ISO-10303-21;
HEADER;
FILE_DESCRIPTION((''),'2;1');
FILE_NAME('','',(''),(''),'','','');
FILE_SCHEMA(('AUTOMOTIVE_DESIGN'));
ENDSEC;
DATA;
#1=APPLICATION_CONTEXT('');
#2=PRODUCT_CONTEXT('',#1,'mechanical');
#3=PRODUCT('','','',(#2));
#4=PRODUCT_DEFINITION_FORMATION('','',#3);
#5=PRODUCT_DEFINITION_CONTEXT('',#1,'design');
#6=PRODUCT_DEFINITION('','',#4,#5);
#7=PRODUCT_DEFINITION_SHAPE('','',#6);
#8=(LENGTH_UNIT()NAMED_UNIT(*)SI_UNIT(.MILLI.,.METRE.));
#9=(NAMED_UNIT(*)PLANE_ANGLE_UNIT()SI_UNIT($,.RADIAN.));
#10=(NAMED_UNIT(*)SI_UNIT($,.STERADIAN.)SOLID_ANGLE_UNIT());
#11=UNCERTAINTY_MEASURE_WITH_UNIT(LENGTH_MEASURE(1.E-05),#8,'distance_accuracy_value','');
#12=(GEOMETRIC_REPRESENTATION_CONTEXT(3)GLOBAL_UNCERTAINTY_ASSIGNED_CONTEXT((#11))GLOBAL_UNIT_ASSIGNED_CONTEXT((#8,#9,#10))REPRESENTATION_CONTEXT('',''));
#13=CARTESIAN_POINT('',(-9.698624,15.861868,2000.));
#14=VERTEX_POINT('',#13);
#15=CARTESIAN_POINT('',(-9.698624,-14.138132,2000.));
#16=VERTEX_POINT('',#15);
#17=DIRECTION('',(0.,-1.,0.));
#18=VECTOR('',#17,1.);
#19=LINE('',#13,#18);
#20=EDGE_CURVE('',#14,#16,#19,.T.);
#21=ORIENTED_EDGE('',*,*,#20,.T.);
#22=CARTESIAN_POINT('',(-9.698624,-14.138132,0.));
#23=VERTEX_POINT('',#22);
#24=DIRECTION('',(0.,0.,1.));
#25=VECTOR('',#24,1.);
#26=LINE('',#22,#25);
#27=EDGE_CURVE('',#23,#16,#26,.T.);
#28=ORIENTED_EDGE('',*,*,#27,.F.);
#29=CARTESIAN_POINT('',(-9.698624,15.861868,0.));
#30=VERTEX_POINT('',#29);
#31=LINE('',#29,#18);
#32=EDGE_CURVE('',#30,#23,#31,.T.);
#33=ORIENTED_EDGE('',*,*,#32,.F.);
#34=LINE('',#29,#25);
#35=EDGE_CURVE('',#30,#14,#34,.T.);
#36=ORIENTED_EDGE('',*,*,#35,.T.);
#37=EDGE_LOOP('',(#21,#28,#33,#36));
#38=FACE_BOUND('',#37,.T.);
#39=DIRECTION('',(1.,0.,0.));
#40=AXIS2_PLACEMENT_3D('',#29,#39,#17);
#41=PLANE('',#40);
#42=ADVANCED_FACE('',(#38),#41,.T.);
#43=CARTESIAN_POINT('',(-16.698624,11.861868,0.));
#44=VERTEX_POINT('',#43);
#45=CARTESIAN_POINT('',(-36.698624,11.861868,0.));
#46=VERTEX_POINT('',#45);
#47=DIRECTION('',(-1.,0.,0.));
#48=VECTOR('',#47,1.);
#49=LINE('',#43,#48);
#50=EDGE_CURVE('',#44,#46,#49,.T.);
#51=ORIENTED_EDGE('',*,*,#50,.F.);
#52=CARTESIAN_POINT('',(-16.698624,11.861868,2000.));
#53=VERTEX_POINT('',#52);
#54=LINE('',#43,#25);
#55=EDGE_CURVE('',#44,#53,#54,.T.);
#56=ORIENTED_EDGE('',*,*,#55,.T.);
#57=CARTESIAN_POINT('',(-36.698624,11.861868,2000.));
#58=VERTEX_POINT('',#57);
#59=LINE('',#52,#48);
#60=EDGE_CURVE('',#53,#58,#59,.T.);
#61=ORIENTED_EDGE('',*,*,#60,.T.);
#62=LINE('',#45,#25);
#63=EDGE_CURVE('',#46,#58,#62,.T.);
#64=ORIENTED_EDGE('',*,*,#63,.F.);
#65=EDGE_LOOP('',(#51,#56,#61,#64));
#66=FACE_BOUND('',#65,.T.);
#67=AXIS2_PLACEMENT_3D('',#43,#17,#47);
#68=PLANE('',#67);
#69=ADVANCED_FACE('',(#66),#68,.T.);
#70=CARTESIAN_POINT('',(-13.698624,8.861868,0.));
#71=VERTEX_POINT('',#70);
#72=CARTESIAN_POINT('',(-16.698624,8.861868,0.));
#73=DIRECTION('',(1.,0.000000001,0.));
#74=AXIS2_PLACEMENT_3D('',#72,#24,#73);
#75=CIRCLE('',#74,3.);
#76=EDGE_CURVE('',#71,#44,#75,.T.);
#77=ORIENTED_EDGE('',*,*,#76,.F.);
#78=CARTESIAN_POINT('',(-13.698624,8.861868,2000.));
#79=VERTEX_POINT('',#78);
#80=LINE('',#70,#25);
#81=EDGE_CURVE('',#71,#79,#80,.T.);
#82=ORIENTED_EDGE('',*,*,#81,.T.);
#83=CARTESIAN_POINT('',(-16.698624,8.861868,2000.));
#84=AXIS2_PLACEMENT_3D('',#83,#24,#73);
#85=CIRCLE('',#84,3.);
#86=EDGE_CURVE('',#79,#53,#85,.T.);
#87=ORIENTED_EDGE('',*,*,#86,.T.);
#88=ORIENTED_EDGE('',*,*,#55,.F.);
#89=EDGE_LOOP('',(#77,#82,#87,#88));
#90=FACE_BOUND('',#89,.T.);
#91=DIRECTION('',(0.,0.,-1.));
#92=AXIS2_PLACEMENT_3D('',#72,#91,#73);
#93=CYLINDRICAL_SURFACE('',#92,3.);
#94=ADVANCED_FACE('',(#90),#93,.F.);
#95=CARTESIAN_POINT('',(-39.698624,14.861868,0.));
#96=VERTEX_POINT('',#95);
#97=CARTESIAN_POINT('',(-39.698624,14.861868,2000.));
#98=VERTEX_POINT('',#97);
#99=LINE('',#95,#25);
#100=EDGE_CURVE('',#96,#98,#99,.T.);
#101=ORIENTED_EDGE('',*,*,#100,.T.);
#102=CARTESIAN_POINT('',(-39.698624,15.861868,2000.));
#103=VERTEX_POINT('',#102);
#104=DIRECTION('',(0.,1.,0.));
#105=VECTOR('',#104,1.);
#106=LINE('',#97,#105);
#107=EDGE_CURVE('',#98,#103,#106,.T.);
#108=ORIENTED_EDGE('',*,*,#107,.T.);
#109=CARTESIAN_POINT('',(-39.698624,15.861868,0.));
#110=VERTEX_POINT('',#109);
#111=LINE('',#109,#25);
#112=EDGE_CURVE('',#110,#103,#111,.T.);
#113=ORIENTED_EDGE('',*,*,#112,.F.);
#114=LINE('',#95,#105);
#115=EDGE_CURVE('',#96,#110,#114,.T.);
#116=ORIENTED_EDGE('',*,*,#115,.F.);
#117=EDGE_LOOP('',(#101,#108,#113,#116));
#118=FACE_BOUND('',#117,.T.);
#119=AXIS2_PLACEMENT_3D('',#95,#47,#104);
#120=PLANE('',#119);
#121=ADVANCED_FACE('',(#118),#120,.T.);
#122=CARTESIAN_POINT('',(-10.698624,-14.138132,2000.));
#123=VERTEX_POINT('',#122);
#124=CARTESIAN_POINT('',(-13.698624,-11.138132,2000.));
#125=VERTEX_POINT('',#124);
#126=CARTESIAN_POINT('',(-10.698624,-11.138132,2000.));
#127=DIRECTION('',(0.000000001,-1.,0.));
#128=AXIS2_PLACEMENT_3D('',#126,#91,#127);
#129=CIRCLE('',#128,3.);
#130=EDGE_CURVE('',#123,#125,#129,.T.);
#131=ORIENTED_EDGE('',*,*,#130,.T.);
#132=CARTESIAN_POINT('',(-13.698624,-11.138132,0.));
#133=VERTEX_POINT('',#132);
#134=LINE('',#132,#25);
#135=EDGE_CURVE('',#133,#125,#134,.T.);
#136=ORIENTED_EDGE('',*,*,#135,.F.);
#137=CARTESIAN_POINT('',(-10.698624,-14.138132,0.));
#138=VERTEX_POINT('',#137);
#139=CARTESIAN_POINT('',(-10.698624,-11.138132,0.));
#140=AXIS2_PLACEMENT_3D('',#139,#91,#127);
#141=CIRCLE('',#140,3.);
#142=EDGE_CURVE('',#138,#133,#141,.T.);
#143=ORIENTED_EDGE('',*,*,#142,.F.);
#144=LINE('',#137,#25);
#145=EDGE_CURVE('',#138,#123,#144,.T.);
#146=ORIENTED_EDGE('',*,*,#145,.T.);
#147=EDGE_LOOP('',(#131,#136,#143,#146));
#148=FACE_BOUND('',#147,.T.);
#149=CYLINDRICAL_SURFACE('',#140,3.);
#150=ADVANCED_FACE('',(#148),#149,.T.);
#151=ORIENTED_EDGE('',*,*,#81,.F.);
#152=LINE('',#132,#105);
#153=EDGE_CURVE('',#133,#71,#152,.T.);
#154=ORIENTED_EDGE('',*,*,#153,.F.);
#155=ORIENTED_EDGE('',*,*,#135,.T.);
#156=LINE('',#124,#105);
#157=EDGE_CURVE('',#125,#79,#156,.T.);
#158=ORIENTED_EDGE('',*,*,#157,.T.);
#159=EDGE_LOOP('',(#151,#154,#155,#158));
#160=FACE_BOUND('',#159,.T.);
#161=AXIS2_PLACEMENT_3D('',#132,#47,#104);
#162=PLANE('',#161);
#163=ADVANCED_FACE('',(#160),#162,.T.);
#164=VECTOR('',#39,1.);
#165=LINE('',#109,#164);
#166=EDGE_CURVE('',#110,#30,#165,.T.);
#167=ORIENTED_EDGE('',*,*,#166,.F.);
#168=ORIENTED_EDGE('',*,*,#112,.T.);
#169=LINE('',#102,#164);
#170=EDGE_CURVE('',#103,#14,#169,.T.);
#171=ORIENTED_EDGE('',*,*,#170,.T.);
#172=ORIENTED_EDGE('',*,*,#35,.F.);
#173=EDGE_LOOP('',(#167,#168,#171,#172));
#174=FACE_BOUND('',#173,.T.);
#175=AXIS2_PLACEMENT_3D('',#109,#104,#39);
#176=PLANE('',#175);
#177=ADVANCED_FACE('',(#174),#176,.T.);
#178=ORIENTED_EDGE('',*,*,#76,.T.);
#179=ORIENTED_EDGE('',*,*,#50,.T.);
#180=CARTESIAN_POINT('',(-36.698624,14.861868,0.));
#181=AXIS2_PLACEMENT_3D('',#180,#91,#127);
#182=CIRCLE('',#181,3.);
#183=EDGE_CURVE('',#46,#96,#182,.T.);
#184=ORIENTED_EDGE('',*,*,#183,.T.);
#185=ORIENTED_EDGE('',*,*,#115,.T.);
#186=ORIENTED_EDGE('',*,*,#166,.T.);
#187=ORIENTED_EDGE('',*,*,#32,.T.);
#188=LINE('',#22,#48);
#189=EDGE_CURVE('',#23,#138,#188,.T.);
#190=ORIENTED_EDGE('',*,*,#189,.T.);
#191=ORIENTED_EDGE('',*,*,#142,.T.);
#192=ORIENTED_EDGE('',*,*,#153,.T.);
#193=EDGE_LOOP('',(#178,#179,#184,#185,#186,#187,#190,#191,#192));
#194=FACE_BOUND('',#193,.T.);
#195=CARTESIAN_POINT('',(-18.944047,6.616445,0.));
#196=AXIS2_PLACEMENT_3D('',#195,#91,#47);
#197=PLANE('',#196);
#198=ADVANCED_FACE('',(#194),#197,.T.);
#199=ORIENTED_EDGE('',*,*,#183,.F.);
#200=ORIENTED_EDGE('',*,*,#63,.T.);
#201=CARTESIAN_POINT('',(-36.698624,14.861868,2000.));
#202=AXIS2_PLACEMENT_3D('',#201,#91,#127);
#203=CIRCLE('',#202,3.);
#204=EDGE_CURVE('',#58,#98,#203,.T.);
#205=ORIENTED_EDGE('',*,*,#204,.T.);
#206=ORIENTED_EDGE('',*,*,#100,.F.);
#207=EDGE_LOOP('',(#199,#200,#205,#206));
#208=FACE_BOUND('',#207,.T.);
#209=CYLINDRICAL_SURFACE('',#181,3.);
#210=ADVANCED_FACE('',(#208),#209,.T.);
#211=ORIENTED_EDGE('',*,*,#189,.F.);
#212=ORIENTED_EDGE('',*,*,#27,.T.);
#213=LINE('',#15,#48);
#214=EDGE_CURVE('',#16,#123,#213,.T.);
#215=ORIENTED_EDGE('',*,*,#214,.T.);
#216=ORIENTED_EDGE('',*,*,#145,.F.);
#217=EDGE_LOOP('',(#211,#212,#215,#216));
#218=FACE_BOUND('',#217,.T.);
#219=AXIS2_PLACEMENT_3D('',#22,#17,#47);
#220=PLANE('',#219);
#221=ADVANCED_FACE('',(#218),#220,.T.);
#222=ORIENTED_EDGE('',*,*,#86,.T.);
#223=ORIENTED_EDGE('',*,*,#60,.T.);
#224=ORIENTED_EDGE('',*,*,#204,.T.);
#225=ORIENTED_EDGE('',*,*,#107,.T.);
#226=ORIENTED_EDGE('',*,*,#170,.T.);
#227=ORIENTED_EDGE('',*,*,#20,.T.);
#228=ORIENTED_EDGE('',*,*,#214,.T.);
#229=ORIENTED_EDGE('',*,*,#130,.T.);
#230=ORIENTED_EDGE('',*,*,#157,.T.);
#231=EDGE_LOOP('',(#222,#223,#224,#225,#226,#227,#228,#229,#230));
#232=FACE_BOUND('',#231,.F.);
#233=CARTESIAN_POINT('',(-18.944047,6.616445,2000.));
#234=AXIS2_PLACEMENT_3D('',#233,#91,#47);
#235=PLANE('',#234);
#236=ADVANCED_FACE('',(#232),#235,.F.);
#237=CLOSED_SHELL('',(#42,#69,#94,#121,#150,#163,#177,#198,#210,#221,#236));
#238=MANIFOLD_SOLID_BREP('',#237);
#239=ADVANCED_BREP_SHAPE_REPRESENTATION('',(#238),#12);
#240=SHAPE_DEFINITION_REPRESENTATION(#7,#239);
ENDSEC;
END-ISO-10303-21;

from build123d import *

# Parameters (mm, degrees)
BOSS_EXTRUDE1_DEPTH = 2000


with BuildPart() as part:
    # Sketch1 → Boss-Extrude1 (new body)
    with BuildSketch(Plane.XY):
        with BuildLine():
            Line((-39.698623859, 15.861868179), (-9.698623859, 15.861868179))
            Line((-9.698623859, 15.861868179), (-9.698623859, -14.138131821))
            Line((-9.698623859, -14.138131821), (-10.698623859, -14.138131821))
            ThreePointArc((-10.698623859, -14.138131821), (-12.819944203, -13.259452165), (-13.698623859, -11.138131821))
            Line((-13.698623859, -11.138131821), (-13.698623859, 8.861868179))
            ThreePointArc((-13.698623859, 8.861868179), (-14.577303516, 10.983188522), (-16.698623859, 11.861868179))
            Line((-16.698623859, 11.861868179), (-36.698623859, 11.861868179))
            ThreePointArc((-36.698623859, 11.861868179), (-38.819944203, 12.740547835), (-39.698623859, 14.861868179))
            Line((-39.698623859, 14.861868179), (-39.698623859, 15.861868179))
        make_face()
    extrude(amount=BOSS_EXTRUDE1_DEPTH)


solid = part.part
